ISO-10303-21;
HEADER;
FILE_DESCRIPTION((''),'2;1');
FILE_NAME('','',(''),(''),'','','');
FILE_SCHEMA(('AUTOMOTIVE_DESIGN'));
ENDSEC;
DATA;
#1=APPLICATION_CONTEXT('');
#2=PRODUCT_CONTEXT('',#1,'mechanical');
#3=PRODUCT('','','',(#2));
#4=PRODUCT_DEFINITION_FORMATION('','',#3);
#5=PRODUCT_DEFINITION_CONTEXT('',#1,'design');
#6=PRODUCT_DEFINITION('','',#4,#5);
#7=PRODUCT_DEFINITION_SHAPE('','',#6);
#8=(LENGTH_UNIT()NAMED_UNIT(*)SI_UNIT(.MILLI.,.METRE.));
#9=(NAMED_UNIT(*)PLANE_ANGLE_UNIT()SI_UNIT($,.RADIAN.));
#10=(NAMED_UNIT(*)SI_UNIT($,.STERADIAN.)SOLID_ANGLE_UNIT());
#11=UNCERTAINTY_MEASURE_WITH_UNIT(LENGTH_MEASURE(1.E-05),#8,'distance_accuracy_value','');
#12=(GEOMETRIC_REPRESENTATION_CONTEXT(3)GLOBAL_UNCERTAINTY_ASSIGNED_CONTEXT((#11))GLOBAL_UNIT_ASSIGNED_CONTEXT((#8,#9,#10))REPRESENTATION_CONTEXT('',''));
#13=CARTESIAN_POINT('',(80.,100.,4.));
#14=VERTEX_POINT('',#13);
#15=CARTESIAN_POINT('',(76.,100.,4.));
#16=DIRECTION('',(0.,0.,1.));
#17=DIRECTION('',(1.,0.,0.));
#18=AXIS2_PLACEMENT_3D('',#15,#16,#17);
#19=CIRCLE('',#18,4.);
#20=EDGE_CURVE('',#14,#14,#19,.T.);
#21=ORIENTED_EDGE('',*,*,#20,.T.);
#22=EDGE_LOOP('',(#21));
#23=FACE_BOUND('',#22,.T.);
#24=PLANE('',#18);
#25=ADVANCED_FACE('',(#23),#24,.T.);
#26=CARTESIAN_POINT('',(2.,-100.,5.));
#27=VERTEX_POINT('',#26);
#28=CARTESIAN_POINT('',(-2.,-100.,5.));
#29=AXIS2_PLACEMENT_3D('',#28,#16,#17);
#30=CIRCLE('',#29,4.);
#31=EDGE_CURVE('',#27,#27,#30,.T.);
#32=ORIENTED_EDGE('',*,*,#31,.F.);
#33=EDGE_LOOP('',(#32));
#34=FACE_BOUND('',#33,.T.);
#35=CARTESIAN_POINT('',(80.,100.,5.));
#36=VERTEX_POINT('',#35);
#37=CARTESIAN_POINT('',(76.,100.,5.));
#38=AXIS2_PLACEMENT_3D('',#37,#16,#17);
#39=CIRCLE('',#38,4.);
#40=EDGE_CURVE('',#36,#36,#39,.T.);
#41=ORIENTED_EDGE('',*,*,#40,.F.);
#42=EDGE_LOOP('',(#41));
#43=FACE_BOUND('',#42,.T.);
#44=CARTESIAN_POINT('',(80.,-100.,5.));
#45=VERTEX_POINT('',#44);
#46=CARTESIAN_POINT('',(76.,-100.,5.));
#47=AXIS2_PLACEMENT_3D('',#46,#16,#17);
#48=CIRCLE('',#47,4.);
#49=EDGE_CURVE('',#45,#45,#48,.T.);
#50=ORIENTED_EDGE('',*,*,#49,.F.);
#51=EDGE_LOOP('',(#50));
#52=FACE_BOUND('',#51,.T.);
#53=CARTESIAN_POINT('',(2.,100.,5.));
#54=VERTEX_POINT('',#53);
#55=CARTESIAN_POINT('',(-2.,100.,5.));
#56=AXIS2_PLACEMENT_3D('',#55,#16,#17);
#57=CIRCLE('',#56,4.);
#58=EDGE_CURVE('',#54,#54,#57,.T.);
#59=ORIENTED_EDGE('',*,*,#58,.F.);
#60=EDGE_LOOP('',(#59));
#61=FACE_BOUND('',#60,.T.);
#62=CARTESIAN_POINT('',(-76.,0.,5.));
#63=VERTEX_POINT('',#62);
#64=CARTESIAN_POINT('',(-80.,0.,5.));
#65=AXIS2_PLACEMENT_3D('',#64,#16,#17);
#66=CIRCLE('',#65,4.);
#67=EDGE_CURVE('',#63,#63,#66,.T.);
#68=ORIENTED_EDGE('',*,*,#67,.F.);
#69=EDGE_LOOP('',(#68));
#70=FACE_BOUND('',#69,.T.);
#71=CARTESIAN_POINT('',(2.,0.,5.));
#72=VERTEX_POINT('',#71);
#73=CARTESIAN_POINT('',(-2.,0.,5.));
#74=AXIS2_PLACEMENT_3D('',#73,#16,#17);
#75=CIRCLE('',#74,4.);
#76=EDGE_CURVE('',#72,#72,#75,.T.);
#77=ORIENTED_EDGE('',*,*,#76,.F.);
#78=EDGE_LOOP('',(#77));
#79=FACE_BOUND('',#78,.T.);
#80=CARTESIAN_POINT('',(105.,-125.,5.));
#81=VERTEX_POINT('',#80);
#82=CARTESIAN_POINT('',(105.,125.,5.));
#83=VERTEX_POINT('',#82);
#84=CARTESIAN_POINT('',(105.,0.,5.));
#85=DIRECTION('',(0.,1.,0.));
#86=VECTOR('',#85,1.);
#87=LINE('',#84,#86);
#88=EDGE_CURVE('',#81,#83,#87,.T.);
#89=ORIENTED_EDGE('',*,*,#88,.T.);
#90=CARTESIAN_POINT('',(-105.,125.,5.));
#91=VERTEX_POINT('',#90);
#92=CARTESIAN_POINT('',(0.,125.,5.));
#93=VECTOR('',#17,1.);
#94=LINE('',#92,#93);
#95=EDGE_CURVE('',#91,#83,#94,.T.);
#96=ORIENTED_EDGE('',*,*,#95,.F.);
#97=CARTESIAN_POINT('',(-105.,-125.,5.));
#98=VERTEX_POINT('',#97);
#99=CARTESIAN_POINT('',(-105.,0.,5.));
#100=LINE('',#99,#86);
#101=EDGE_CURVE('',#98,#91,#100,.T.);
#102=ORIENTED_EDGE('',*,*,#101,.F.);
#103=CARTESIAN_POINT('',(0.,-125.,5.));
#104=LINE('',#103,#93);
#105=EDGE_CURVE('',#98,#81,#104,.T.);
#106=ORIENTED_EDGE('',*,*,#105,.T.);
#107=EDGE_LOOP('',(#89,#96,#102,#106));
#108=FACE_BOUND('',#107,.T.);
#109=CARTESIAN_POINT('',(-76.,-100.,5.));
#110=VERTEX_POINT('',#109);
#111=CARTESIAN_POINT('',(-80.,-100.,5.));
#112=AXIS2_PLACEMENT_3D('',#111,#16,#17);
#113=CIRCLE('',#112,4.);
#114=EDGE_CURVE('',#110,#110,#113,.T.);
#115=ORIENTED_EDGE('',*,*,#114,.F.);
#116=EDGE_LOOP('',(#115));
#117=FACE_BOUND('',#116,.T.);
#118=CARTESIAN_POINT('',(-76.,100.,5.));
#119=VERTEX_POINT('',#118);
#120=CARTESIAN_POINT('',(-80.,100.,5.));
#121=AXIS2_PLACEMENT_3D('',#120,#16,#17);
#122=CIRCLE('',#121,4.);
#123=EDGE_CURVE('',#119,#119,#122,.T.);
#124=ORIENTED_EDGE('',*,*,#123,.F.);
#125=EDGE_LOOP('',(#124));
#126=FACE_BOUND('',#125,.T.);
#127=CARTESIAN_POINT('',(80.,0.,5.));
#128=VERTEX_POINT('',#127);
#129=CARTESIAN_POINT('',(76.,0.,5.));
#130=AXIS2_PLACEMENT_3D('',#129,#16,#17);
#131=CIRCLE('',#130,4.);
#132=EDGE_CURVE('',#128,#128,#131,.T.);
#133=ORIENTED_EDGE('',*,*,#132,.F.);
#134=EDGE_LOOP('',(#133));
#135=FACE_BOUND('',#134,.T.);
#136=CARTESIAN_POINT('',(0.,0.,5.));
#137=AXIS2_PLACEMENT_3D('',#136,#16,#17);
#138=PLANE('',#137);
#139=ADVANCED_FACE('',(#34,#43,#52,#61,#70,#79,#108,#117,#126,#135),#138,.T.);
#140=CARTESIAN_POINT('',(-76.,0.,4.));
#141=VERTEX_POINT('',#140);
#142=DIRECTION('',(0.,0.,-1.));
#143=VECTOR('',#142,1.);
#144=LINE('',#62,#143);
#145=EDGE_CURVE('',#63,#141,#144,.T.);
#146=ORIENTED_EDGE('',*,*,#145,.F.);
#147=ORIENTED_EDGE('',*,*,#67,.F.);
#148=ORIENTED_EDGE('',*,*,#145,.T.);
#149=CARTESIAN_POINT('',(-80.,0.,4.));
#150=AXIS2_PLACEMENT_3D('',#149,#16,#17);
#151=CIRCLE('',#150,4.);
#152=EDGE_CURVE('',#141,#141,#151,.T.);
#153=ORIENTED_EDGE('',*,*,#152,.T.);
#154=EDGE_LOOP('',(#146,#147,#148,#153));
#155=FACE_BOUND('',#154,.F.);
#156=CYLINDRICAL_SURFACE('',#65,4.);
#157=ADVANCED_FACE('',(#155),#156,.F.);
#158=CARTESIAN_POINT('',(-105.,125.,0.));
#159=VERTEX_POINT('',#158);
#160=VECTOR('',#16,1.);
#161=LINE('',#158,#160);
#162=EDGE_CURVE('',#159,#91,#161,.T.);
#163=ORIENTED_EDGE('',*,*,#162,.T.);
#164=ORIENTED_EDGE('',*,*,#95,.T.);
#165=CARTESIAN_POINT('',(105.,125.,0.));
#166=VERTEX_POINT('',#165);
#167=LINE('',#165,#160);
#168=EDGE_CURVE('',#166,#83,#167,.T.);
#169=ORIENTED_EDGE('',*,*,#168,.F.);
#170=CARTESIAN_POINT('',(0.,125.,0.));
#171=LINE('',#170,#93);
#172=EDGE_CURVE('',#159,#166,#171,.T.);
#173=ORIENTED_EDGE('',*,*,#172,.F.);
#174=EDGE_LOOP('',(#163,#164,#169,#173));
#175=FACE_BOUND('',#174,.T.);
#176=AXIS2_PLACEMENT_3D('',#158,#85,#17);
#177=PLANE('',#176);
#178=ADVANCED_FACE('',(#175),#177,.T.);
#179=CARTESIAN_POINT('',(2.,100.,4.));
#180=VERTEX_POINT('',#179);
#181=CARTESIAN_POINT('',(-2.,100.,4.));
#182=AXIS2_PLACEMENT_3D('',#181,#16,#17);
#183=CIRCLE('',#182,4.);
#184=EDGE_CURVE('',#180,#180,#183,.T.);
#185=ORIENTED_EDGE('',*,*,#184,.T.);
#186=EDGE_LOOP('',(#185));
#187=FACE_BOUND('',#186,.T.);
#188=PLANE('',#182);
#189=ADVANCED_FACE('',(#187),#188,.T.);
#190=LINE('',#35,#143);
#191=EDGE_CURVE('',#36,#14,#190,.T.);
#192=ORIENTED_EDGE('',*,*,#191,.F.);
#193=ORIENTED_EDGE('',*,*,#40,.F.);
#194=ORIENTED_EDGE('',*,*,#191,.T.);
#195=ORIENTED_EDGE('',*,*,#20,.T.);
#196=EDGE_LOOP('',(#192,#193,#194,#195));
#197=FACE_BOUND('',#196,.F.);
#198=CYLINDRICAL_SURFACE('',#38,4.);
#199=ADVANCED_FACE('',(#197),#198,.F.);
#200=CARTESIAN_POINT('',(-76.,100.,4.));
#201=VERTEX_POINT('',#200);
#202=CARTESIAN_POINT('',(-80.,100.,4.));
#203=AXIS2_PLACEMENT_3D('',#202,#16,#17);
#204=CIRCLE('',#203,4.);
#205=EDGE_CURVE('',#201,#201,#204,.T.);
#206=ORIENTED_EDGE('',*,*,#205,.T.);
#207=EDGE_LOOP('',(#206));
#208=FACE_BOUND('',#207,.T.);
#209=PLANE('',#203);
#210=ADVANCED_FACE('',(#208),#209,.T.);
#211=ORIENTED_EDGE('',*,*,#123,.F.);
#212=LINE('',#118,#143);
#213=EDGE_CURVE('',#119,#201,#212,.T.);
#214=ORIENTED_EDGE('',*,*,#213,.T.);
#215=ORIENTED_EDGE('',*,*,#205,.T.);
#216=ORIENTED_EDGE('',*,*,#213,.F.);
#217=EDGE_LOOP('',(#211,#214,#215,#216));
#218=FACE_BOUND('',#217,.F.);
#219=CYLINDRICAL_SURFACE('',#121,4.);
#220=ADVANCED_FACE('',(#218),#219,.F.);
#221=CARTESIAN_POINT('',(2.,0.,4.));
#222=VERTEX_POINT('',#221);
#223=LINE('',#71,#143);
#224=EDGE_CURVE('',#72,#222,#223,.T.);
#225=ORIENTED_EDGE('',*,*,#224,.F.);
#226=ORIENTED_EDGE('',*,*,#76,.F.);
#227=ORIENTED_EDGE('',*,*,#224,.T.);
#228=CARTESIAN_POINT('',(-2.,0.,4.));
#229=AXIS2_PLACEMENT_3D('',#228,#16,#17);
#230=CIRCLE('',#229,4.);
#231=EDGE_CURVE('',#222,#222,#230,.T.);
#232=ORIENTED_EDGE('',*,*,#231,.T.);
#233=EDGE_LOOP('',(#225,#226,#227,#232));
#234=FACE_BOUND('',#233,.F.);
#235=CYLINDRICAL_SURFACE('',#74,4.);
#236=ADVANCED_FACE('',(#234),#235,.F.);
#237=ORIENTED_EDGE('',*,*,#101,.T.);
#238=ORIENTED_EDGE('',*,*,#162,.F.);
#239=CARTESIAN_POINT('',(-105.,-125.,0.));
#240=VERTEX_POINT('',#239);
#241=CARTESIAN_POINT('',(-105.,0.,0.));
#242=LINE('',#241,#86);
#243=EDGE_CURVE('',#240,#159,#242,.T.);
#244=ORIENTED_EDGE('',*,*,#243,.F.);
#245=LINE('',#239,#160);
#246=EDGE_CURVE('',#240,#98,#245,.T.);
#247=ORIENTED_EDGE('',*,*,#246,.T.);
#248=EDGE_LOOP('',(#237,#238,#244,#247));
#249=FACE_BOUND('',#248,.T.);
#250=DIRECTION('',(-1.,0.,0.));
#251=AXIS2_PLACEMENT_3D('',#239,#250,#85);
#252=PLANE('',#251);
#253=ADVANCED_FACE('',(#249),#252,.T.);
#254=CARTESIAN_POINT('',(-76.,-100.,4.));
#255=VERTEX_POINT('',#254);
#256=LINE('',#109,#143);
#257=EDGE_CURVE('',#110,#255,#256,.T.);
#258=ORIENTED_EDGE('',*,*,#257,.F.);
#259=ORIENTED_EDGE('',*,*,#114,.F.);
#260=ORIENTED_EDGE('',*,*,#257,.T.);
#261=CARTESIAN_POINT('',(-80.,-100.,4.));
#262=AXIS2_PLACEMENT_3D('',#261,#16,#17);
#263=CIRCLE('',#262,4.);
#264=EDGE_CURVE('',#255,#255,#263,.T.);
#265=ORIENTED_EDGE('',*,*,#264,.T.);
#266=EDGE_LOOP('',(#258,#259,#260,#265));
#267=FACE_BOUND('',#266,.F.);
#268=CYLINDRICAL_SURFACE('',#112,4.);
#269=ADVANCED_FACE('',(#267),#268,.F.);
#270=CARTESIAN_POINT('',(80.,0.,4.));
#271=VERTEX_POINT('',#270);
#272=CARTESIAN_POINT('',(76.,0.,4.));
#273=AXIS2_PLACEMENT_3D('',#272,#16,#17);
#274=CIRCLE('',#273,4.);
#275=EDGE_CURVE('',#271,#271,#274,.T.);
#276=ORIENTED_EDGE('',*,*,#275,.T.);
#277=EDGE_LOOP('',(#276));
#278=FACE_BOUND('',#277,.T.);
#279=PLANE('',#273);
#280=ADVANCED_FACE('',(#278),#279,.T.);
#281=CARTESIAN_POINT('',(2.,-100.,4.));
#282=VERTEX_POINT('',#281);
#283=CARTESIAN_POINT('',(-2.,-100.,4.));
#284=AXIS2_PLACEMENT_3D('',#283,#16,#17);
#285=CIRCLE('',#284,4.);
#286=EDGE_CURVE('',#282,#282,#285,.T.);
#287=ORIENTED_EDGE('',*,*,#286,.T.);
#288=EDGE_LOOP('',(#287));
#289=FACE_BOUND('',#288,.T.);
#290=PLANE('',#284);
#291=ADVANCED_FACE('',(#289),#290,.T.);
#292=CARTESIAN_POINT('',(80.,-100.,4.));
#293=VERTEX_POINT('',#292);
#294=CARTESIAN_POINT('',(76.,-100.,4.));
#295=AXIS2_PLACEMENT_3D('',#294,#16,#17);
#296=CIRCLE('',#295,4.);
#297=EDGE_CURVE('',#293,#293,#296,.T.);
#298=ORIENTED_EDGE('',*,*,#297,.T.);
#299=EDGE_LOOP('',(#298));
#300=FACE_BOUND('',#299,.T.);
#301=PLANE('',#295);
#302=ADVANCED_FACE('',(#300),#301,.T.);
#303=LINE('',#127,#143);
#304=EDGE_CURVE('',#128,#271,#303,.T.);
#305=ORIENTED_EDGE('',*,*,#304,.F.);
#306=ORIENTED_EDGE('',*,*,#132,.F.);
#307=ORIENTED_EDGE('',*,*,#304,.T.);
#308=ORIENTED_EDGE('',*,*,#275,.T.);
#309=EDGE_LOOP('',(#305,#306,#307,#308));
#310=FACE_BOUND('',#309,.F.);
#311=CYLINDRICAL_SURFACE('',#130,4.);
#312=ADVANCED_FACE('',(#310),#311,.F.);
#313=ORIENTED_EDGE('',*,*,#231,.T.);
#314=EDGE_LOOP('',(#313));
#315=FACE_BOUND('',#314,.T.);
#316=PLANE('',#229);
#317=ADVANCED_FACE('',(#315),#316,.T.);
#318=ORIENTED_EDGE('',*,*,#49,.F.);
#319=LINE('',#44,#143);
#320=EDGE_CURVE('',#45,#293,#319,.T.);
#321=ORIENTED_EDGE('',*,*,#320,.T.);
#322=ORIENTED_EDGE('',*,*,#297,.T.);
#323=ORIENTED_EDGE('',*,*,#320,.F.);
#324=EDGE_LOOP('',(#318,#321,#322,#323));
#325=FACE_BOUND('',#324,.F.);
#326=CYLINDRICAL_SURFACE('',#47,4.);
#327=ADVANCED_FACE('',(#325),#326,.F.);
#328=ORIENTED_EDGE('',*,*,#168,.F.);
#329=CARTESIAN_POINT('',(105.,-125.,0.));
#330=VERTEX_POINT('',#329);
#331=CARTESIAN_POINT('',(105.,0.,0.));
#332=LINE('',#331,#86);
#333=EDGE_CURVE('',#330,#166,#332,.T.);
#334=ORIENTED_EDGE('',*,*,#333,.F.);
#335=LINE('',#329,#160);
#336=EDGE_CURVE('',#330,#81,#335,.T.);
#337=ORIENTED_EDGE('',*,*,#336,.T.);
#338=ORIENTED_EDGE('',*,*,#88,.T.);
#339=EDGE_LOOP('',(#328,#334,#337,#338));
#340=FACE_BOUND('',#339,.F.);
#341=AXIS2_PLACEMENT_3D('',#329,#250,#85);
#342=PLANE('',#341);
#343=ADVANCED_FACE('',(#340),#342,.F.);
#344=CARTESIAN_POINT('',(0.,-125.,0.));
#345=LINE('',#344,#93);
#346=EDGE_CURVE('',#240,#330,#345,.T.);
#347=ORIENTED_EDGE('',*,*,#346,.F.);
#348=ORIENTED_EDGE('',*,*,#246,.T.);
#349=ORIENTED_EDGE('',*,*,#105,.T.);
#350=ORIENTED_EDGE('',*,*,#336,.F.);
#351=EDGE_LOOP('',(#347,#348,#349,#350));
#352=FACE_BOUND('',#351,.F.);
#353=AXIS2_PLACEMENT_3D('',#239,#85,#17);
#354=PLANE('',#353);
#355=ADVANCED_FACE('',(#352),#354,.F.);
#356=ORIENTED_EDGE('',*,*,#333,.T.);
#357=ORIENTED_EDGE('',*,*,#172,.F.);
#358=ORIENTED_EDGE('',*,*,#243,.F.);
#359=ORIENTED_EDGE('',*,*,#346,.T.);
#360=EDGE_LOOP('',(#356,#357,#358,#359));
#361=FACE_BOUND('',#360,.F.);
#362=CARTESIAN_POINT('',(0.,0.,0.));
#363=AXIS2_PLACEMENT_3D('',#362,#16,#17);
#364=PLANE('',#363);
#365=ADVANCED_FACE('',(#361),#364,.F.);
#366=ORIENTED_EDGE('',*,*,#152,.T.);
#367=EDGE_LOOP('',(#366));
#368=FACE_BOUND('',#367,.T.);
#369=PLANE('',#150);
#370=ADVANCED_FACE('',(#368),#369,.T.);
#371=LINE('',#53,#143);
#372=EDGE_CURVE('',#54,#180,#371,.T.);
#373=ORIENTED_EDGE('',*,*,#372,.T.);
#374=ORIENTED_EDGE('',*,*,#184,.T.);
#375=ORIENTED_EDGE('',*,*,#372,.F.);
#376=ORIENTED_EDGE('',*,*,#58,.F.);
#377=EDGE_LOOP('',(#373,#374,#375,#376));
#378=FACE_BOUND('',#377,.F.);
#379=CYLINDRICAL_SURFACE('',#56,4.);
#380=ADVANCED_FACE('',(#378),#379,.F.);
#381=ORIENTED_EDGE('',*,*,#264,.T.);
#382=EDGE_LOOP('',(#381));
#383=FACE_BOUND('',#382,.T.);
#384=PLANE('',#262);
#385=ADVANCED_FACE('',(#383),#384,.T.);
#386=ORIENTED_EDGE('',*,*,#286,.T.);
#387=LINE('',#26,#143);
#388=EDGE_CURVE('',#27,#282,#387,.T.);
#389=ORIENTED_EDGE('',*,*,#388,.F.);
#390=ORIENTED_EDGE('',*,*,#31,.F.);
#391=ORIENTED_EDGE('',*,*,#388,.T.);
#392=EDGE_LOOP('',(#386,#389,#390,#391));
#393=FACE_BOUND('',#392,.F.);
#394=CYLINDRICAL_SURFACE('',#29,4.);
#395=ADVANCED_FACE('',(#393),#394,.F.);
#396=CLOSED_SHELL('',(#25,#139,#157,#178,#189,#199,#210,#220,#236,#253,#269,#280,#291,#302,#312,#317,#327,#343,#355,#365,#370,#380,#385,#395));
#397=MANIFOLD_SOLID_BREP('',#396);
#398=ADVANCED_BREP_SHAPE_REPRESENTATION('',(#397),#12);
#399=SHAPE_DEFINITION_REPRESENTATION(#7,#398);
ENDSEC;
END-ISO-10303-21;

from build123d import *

# Parameters (mm, degrees)
F0_W     = 210
F0_H     = 250
F1_DEPTH = 5
F2_R     = 4
F3_DEPTH = 1


with BuildPart() as f1:
    # F0 (on Top) → F1 (new body)
    with BuildSketch(Plane.XY):
        Rectangle(F0_W, F0_H)
    extrude(amount=F1_DEPTH)

    # F2 (on face) → F3 (cut)
    with BuildSketch(Plane.XY.offset(5)):
        with Locations((-80, -100)):
            Circle(F2_R)
        with Locations((-80, 0)):
            Circle(F2_R)
        with Locations((-80, 100)):
            Circle(F2_R)
        with Locations((-2, -100)):
            Circle(F2_R)
        with Locations((-2, 0)):
            Circle(F2_R)
        with Locations((-2, 100)):
            Circle(F2_R)
        with Locations((76, -100)):
            Circle(F2_R)
        with Locations((76, 0)):
            Circle(F2_R)
        with Locations((76, 100)):
            Circle(F2_R)
    extrude(amount=-F3_DEPTH, mode=Mode.SUBTRACT)


solid = f1.part
